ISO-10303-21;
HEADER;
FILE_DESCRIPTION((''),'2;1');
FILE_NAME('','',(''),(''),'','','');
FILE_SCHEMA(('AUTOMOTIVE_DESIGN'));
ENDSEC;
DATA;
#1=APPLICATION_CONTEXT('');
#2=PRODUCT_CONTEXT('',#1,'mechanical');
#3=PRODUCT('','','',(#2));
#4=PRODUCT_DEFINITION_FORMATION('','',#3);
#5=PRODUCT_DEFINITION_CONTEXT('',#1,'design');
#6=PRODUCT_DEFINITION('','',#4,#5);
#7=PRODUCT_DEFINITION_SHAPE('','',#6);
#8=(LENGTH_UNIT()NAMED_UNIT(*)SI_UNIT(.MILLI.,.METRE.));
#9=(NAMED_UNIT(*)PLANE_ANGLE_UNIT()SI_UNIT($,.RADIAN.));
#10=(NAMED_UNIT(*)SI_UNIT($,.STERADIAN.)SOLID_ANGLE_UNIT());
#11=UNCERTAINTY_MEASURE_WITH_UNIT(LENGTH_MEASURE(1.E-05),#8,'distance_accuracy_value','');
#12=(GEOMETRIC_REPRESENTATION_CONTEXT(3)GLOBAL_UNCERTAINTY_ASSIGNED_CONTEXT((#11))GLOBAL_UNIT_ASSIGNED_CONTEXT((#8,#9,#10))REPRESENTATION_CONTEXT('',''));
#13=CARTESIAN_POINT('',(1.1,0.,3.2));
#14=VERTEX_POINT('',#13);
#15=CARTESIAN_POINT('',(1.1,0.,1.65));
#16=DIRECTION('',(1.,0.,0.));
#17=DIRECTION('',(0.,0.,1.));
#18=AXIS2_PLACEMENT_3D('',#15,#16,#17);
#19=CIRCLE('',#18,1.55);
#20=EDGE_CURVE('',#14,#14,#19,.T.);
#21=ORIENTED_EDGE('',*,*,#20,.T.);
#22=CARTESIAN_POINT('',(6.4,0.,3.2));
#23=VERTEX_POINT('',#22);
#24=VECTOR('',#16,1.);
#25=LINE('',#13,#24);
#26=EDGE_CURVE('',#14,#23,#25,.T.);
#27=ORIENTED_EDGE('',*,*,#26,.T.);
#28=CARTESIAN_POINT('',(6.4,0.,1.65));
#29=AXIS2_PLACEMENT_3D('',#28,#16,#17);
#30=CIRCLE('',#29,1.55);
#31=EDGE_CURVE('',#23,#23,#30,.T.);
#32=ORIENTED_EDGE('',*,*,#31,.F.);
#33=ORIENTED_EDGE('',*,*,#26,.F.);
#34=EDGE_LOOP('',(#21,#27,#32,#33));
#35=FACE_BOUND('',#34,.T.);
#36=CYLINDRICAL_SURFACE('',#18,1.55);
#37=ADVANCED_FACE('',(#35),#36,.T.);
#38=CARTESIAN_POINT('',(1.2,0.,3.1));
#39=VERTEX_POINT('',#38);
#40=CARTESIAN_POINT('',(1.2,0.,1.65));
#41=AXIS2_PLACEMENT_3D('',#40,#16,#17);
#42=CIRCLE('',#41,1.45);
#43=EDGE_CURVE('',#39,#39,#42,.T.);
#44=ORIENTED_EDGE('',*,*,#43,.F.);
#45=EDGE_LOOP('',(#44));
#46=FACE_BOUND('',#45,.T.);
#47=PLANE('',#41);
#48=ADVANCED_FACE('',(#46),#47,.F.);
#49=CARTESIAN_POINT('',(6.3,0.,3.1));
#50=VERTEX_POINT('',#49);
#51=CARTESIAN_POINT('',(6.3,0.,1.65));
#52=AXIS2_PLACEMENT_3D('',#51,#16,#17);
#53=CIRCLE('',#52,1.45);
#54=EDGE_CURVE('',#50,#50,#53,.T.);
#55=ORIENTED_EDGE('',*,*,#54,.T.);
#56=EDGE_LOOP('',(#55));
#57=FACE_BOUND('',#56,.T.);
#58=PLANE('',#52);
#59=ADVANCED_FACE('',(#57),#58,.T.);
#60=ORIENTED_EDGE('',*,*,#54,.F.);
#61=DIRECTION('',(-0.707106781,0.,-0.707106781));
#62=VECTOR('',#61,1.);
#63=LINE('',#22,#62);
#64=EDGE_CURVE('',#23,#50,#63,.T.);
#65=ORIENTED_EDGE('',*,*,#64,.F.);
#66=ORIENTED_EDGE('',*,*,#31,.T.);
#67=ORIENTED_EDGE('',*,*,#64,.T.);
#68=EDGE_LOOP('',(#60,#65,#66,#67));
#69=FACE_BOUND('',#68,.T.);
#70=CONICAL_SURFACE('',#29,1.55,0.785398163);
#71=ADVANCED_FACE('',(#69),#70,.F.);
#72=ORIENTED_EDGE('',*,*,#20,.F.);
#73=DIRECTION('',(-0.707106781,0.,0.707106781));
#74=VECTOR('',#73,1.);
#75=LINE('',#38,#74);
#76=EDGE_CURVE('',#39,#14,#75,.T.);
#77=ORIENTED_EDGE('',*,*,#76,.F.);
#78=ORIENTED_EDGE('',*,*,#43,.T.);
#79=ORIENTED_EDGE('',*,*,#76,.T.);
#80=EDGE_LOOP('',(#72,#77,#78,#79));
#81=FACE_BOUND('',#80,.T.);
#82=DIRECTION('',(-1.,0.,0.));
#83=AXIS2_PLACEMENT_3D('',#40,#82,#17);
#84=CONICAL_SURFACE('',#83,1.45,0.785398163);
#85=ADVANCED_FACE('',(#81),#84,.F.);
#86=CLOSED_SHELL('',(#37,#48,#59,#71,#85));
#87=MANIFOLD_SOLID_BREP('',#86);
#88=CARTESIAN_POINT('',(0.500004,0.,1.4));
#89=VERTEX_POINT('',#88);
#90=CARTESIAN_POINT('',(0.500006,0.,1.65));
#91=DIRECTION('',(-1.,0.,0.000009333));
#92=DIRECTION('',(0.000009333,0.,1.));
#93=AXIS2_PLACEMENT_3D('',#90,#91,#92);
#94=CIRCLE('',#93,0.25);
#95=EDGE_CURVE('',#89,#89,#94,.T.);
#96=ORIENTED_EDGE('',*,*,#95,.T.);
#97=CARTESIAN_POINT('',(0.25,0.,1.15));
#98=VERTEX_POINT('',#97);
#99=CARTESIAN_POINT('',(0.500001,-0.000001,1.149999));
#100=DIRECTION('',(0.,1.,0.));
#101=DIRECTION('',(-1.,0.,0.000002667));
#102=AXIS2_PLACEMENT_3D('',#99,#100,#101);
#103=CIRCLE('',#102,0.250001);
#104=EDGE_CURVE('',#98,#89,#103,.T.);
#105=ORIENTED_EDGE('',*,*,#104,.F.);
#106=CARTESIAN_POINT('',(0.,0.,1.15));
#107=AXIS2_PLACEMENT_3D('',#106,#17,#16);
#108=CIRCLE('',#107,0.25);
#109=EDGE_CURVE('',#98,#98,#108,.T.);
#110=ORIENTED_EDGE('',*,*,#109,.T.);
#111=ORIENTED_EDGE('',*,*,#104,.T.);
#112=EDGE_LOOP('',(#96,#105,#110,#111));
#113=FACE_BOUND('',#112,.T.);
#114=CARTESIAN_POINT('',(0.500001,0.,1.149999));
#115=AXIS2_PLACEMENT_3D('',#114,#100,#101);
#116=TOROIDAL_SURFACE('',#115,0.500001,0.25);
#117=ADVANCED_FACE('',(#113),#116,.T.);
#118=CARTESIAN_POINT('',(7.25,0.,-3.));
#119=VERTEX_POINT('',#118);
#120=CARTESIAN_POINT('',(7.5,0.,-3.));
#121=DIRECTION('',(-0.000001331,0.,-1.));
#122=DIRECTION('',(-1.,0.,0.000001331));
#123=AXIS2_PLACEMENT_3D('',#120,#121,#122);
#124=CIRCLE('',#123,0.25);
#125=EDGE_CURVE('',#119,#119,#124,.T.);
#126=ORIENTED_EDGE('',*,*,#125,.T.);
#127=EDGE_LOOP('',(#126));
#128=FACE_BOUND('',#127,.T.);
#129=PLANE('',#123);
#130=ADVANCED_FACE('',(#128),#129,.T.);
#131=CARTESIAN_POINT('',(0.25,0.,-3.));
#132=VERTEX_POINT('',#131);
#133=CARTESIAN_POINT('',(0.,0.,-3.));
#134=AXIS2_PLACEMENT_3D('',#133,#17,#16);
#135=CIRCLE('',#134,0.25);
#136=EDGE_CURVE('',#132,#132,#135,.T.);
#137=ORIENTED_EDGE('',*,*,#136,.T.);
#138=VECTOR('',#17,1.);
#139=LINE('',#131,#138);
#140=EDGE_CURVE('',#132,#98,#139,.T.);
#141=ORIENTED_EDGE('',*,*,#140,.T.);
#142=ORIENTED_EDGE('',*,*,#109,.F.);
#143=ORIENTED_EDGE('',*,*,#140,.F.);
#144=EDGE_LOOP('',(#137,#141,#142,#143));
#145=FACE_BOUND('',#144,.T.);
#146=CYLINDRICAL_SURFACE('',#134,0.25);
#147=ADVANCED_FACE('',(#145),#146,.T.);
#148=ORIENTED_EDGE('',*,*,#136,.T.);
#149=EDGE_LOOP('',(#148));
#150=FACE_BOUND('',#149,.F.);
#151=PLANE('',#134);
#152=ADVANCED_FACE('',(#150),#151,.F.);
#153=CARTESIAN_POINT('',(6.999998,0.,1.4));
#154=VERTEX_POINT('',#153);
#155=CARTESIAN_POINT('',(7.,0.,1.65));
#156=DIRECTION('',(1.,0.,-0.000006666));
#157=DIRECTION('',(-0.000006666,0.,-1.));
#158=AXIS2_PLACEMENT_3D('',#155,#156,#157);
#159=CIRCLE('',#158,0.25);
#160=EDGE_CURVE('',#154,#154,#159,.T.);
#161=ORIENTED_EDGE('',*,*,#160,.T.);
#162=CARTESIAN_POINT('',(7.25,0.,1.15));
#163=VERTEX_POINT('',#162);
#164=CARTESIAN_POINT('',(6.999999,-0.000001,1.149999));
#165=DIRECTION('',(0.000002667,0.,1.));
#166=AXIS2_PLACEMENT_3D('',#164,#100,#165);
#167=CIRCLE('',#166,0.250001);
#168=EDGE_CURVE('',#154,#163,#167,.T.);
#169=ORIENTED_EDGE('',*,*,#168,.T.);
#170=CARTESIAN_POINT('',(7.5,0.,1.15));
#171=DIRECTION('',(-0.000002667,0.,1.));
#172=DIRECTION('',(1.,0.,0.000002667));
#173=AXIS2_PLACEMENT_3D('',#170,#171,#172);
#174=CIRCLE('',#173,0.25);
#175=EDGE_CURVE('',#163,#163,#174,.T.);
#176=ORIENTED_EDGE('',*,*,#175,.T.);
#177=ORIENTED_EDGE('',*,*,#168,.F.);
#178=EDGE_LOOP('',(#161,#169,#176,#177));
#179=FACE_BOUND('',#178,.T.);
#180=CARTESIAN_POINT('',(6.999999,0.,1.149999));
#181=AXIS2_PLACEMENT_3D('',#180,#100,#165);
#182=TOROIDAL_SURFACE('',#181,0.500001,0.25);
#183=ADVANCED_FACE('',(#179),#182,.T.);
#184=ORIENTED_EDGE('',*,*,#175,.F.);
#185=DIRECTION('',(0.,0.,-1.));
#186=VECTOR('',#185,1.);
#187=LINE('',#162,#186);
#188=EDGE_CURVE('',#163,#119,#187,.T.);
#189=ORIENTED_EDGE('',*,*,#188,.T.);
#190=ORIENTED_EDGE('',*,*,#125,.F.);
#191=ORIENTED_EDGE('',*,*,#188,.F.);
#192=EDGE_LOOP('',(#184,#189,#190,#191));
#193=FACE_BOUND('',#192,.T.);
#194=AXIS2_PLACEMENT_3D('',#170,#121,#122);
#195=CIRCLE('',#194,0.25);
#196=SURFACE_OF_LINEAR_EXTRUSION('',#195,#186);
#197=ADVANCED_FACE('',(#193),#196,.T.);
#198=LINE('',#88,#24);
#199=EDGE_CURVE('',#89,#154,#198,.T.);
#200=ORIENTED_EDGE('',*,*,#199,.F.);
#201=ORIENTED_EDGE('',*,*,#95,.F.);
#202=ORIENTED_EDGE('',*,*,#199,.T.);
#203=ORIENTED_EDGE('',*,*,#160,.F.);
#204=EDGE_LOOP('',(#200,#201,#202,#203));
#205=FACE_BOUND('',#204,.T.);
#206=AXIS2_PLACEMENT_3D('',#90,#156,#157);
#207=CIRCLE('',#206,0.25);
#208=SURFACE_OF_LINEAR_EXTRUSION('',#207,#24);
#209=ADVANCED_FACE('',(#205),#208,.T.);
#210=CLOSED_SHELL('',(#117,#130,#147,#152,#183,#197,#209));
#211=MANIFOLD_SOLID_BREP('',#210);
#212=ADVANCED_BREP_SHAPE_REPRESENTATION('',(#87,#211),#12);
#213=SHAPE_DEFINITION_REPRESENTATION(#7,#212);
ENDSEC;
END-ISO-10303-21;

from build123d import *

# Parameters (mm, degrees)
SKETCH_R = 0.25


with BuildPart() as sweep_body:
    # Sweep: sweep along a path in Sketch001
    with BuildLine(Plane.XZ) as sweep_path:
        Line((0, -3), (0, 1.15))
        ThreePointArc((0, 1.15), (0.146449, 1.503555), (0.500006, 1.65))
        Line((0.500006, 1.65), (7, 1.65))
        ThreePointArc((7, 1.65), (7.353553, 1.503553), (7.5, 1.15))
        Line((7.5, 1.15), (7.5, -3))
    # Sketch → Sweep (sweep)
    with BuildSketch(Plane.XY.offset(-2)):
        Circle(SKETCH_R)
    sweep(path=sweep_path.line)


with BuildPart() as revolution:
    # Sketch002 → Revolution (revolve)
    with BuildSketch(Plane.XZ):
        Polygon((1.1, 3.2), (6.4, 3.2), (6.3, 3.1), (6.3, 1.65), (1.2, 1.65), (1.2, 3.1), align=None)
    revolve(axis=Axis((7.611803, 0, 1.65), (1, 0, 0)))


solid = Compound([sweep_body.part, revolution.part])
